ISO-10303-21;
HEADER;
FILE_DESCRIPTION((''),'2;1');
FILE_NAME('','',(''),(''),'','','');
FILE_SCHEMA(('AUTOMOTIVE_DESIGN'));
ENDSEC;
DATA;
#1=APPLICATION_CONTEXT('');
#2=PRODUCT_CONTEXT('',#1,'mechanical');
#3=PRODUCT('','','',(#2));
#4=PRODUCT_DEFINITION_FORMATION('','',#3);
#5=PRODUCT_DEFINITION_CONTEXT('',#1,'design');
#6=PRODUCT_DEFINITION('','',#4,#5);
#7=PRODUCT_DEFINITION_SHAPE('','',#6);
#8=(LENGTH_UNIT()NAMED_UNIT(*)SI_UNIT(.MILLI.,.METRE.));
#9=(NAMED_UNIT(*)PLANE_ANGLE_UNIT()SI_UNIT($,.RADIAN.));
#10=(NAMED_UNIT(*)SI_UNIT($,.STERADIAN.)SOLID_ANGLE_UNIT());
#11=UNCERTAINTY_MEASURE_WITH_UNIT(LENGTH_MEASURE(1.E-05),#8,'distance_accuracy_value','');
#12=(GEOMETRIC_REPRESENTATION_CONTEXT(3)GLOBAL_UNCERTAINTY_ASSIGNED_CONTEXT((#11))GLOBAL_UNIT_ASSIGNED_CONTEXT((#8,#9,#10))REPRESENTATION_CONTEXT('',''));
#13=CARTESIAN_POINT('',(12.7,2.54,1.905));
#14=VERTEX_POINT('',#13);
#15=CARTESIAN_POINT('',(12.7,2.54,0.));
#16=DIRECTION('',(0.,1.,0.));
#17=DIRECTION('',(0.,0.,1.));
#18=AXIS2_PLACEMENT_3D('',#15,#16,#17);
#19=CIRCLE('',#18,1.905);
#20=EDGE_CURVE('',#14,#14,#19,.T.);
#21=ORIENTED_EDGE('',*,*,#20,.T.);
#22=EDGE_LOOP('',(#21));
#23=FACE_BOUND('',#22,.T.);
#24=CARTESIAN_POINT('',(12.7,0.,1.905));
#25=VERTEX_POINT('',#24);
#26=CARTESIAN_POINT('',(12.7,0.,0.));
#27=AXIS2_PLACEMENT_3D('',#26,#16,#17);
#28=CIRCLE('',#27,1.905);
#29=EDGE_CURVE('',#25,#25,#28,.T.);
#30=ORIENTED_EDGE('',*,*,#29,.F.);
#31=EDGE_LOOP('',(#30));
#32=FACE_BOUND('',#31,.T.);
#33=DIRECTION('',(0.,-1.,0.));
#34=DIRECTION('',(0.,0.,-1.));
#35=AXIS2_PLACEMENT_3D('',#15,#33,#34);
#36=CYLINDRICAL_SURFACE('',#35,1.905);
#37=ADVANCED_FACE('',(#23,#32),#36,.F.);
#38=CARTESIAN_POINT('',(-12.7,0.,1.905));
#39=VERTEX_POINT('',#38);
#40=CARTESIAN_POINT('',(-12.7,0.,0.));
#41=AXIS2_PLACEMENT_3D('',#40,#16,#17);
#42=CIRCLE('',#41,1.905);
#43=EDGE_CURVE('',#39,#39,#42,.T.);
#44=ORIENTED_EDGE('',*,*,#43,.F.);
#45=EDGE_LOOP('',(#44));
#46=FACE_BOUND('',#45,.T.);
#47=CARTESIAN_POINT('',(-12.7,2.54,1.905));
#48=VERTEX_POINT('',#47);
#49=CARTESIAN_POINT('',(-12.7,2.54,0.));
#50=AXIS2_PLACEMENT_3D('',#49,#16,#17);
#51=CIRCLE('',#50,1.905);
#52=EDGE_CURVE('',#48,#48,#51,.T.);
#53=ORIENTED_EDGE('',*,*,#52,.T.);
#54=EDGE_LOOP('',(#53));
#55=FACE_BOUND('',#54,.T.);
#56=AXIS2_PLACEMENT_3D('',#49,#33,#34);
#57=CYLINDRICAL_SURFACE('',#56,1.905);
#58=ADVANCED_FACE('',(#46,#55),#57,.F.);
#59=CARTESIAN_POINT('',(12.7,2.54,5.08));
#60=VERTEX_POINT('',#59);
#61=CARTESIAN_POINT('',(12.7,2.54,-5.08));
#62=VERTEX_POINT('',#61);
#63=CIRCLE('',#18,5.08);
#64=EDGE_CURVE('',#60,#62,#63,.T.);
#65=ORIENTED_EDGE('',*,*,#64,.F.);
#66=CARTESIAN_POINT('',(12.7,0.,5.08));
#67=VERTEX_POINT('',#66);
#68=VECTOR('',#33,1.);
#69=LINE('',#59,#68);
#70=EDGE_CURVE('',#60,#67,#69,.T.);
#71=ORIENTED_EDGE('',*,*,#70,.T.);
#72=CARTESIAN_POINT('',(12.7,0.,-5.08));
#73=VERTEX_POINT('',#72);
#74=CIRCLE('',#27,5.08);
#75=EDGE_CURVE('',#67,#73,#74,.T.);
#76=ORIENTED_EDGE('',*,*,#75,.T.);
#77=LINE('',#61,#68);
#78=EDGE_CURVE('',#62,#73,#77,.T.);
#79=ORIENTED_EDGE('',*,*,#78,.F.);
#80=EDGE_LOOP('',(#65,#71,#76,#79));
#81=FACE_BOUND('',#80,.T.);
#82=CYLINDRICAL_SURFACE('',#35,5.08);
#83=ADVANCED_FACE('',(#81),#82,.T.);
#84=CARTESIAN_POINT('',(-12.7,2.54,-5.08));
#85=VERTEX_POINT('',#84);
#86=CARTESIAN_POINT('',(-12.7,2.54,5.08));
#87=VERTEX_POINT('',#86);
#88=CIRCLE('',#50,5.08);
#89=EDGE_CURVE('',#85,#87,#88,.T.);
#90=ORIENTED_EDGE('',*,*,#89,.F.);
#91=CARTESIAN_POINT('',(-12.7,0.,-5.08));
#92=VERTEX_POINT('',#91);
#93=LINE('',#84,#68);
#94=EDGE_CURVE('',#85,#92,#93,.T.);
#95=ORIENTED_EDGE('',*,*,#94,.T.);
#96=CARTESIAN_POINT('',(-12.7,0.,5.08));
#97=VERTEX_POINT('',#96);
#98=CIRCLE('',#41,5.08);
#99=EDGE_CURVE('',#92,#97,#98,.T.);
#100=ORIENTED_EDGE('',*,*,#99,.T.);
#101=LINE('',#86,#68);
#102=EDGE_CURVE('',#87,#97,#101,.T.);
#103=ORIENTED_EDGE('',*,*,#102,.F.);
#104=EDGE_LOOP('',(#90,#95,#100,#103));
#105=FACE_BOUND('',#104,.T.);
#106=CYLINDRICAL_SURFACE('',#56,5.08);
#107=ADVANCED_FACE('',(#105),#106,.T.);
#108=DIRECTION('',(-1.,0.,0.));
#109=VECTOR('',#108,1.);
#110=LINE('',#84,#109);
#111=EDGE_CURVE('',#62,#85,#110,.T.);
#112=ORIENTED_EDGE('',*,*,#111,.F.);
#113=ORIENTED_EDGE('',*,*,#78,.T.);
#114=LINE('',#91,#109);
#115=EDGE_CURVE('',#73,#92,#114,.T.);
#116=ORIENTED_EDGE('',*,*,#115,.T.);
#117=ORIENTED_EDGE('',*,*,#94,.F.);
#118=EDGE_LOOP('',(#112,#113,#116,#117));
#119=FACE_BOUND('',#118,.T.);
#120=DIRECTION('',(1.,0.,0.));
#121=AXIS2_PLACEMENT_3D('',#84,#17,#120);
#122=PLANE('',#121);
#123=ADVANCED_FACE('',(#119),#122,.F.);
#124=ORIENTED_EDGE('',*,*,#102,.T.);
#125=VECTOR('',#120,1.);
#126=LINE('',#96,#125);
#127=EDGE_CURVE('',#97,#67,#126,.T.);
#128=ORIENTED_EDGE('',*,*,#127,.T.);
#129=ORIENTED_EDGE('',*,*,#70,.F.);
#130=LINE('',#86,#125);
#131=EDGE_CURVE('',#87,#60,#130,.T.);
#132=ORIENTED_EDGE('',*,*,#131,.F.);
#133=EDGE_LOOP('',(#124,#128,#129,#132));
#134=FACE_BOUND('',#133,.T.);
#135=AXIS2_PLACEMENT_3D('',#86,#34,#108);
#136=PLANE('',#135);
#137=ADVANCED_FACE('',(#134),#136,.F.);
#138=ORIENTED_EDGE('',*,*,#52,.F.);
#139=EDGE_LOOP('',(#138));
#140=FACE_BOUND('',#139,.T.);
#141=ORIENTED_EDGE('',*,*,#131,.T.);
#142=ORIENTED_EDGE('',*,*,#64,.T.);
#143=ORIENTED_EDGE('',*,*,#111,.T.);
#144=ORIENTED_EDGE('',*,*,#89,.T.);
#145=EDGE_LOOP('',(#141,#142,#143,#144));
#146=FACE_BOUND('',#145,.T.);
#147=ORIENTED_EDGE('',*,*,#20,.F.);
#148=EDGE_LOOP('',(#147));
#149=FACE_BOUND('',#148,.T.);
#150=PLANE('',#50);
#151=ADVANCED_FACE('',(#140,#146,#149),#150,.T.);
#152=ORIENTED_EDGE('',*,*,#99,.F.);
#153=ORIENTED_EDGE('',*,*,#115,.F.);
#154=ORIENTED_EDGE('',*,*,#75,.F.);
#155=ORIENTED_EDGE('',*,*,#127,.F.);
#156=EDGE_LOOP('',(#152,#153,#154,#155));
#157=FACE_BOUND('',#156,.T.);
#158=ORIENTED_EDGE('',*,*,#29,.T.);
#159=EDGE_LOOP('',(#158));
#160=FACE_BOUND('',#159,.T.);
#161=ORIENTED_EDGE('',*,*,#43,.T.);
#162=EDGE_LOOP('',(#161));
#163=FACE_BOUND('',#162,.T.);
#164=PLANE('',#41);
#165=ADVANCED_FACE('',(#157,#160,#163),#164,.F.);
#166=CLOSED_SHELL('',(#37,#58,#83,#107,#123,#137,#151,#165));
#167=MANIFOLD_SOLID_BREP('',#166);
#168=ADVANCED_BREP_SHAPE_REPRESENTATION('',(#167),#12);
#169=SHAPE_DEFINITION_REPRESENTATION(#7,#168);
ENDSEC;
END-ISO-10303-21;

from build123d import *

# Parameters (mm, degrees)
SKETCH1_R           = 1.905
BOSS_EXTRUDE1_DEPTH = 2.54


with BuildPart() as part:
    # Sketch1 → Boss-Extrude1 (new body)
    with BuildSketch(Plane(origin=(0, 0, 0), x_dir=(1, 0, 0), z_dir=(0, 1, 0))):
        with BuildLine():
            Line((-12.7, 5.08), (12.7, 5.08))
            ThreePointArc((12.7, 5.08), (17.78, 0), (12.7, -5.08))
            Line((12.7, -5.08), (-12.7, -5.08))
            ThreePointArc((-12.7, -5.08), (-17.78, 0), (-12.7, 5.08))
        make_face()
        with Locations(Location((-12.7, 0, 0), (0, 0, 270))):
            Circle(SKETCH1_R, mode=Mode.SUBTRACT)
        with Locations(Location((12.7, 0, 0), (0, 0, 270))):
            Circle(SKETCH1_R, mode=Mode.SUBTRACT)
    extrude(amount=BOSS_EXTRUDE1_DEPTH)


solid = part.part
